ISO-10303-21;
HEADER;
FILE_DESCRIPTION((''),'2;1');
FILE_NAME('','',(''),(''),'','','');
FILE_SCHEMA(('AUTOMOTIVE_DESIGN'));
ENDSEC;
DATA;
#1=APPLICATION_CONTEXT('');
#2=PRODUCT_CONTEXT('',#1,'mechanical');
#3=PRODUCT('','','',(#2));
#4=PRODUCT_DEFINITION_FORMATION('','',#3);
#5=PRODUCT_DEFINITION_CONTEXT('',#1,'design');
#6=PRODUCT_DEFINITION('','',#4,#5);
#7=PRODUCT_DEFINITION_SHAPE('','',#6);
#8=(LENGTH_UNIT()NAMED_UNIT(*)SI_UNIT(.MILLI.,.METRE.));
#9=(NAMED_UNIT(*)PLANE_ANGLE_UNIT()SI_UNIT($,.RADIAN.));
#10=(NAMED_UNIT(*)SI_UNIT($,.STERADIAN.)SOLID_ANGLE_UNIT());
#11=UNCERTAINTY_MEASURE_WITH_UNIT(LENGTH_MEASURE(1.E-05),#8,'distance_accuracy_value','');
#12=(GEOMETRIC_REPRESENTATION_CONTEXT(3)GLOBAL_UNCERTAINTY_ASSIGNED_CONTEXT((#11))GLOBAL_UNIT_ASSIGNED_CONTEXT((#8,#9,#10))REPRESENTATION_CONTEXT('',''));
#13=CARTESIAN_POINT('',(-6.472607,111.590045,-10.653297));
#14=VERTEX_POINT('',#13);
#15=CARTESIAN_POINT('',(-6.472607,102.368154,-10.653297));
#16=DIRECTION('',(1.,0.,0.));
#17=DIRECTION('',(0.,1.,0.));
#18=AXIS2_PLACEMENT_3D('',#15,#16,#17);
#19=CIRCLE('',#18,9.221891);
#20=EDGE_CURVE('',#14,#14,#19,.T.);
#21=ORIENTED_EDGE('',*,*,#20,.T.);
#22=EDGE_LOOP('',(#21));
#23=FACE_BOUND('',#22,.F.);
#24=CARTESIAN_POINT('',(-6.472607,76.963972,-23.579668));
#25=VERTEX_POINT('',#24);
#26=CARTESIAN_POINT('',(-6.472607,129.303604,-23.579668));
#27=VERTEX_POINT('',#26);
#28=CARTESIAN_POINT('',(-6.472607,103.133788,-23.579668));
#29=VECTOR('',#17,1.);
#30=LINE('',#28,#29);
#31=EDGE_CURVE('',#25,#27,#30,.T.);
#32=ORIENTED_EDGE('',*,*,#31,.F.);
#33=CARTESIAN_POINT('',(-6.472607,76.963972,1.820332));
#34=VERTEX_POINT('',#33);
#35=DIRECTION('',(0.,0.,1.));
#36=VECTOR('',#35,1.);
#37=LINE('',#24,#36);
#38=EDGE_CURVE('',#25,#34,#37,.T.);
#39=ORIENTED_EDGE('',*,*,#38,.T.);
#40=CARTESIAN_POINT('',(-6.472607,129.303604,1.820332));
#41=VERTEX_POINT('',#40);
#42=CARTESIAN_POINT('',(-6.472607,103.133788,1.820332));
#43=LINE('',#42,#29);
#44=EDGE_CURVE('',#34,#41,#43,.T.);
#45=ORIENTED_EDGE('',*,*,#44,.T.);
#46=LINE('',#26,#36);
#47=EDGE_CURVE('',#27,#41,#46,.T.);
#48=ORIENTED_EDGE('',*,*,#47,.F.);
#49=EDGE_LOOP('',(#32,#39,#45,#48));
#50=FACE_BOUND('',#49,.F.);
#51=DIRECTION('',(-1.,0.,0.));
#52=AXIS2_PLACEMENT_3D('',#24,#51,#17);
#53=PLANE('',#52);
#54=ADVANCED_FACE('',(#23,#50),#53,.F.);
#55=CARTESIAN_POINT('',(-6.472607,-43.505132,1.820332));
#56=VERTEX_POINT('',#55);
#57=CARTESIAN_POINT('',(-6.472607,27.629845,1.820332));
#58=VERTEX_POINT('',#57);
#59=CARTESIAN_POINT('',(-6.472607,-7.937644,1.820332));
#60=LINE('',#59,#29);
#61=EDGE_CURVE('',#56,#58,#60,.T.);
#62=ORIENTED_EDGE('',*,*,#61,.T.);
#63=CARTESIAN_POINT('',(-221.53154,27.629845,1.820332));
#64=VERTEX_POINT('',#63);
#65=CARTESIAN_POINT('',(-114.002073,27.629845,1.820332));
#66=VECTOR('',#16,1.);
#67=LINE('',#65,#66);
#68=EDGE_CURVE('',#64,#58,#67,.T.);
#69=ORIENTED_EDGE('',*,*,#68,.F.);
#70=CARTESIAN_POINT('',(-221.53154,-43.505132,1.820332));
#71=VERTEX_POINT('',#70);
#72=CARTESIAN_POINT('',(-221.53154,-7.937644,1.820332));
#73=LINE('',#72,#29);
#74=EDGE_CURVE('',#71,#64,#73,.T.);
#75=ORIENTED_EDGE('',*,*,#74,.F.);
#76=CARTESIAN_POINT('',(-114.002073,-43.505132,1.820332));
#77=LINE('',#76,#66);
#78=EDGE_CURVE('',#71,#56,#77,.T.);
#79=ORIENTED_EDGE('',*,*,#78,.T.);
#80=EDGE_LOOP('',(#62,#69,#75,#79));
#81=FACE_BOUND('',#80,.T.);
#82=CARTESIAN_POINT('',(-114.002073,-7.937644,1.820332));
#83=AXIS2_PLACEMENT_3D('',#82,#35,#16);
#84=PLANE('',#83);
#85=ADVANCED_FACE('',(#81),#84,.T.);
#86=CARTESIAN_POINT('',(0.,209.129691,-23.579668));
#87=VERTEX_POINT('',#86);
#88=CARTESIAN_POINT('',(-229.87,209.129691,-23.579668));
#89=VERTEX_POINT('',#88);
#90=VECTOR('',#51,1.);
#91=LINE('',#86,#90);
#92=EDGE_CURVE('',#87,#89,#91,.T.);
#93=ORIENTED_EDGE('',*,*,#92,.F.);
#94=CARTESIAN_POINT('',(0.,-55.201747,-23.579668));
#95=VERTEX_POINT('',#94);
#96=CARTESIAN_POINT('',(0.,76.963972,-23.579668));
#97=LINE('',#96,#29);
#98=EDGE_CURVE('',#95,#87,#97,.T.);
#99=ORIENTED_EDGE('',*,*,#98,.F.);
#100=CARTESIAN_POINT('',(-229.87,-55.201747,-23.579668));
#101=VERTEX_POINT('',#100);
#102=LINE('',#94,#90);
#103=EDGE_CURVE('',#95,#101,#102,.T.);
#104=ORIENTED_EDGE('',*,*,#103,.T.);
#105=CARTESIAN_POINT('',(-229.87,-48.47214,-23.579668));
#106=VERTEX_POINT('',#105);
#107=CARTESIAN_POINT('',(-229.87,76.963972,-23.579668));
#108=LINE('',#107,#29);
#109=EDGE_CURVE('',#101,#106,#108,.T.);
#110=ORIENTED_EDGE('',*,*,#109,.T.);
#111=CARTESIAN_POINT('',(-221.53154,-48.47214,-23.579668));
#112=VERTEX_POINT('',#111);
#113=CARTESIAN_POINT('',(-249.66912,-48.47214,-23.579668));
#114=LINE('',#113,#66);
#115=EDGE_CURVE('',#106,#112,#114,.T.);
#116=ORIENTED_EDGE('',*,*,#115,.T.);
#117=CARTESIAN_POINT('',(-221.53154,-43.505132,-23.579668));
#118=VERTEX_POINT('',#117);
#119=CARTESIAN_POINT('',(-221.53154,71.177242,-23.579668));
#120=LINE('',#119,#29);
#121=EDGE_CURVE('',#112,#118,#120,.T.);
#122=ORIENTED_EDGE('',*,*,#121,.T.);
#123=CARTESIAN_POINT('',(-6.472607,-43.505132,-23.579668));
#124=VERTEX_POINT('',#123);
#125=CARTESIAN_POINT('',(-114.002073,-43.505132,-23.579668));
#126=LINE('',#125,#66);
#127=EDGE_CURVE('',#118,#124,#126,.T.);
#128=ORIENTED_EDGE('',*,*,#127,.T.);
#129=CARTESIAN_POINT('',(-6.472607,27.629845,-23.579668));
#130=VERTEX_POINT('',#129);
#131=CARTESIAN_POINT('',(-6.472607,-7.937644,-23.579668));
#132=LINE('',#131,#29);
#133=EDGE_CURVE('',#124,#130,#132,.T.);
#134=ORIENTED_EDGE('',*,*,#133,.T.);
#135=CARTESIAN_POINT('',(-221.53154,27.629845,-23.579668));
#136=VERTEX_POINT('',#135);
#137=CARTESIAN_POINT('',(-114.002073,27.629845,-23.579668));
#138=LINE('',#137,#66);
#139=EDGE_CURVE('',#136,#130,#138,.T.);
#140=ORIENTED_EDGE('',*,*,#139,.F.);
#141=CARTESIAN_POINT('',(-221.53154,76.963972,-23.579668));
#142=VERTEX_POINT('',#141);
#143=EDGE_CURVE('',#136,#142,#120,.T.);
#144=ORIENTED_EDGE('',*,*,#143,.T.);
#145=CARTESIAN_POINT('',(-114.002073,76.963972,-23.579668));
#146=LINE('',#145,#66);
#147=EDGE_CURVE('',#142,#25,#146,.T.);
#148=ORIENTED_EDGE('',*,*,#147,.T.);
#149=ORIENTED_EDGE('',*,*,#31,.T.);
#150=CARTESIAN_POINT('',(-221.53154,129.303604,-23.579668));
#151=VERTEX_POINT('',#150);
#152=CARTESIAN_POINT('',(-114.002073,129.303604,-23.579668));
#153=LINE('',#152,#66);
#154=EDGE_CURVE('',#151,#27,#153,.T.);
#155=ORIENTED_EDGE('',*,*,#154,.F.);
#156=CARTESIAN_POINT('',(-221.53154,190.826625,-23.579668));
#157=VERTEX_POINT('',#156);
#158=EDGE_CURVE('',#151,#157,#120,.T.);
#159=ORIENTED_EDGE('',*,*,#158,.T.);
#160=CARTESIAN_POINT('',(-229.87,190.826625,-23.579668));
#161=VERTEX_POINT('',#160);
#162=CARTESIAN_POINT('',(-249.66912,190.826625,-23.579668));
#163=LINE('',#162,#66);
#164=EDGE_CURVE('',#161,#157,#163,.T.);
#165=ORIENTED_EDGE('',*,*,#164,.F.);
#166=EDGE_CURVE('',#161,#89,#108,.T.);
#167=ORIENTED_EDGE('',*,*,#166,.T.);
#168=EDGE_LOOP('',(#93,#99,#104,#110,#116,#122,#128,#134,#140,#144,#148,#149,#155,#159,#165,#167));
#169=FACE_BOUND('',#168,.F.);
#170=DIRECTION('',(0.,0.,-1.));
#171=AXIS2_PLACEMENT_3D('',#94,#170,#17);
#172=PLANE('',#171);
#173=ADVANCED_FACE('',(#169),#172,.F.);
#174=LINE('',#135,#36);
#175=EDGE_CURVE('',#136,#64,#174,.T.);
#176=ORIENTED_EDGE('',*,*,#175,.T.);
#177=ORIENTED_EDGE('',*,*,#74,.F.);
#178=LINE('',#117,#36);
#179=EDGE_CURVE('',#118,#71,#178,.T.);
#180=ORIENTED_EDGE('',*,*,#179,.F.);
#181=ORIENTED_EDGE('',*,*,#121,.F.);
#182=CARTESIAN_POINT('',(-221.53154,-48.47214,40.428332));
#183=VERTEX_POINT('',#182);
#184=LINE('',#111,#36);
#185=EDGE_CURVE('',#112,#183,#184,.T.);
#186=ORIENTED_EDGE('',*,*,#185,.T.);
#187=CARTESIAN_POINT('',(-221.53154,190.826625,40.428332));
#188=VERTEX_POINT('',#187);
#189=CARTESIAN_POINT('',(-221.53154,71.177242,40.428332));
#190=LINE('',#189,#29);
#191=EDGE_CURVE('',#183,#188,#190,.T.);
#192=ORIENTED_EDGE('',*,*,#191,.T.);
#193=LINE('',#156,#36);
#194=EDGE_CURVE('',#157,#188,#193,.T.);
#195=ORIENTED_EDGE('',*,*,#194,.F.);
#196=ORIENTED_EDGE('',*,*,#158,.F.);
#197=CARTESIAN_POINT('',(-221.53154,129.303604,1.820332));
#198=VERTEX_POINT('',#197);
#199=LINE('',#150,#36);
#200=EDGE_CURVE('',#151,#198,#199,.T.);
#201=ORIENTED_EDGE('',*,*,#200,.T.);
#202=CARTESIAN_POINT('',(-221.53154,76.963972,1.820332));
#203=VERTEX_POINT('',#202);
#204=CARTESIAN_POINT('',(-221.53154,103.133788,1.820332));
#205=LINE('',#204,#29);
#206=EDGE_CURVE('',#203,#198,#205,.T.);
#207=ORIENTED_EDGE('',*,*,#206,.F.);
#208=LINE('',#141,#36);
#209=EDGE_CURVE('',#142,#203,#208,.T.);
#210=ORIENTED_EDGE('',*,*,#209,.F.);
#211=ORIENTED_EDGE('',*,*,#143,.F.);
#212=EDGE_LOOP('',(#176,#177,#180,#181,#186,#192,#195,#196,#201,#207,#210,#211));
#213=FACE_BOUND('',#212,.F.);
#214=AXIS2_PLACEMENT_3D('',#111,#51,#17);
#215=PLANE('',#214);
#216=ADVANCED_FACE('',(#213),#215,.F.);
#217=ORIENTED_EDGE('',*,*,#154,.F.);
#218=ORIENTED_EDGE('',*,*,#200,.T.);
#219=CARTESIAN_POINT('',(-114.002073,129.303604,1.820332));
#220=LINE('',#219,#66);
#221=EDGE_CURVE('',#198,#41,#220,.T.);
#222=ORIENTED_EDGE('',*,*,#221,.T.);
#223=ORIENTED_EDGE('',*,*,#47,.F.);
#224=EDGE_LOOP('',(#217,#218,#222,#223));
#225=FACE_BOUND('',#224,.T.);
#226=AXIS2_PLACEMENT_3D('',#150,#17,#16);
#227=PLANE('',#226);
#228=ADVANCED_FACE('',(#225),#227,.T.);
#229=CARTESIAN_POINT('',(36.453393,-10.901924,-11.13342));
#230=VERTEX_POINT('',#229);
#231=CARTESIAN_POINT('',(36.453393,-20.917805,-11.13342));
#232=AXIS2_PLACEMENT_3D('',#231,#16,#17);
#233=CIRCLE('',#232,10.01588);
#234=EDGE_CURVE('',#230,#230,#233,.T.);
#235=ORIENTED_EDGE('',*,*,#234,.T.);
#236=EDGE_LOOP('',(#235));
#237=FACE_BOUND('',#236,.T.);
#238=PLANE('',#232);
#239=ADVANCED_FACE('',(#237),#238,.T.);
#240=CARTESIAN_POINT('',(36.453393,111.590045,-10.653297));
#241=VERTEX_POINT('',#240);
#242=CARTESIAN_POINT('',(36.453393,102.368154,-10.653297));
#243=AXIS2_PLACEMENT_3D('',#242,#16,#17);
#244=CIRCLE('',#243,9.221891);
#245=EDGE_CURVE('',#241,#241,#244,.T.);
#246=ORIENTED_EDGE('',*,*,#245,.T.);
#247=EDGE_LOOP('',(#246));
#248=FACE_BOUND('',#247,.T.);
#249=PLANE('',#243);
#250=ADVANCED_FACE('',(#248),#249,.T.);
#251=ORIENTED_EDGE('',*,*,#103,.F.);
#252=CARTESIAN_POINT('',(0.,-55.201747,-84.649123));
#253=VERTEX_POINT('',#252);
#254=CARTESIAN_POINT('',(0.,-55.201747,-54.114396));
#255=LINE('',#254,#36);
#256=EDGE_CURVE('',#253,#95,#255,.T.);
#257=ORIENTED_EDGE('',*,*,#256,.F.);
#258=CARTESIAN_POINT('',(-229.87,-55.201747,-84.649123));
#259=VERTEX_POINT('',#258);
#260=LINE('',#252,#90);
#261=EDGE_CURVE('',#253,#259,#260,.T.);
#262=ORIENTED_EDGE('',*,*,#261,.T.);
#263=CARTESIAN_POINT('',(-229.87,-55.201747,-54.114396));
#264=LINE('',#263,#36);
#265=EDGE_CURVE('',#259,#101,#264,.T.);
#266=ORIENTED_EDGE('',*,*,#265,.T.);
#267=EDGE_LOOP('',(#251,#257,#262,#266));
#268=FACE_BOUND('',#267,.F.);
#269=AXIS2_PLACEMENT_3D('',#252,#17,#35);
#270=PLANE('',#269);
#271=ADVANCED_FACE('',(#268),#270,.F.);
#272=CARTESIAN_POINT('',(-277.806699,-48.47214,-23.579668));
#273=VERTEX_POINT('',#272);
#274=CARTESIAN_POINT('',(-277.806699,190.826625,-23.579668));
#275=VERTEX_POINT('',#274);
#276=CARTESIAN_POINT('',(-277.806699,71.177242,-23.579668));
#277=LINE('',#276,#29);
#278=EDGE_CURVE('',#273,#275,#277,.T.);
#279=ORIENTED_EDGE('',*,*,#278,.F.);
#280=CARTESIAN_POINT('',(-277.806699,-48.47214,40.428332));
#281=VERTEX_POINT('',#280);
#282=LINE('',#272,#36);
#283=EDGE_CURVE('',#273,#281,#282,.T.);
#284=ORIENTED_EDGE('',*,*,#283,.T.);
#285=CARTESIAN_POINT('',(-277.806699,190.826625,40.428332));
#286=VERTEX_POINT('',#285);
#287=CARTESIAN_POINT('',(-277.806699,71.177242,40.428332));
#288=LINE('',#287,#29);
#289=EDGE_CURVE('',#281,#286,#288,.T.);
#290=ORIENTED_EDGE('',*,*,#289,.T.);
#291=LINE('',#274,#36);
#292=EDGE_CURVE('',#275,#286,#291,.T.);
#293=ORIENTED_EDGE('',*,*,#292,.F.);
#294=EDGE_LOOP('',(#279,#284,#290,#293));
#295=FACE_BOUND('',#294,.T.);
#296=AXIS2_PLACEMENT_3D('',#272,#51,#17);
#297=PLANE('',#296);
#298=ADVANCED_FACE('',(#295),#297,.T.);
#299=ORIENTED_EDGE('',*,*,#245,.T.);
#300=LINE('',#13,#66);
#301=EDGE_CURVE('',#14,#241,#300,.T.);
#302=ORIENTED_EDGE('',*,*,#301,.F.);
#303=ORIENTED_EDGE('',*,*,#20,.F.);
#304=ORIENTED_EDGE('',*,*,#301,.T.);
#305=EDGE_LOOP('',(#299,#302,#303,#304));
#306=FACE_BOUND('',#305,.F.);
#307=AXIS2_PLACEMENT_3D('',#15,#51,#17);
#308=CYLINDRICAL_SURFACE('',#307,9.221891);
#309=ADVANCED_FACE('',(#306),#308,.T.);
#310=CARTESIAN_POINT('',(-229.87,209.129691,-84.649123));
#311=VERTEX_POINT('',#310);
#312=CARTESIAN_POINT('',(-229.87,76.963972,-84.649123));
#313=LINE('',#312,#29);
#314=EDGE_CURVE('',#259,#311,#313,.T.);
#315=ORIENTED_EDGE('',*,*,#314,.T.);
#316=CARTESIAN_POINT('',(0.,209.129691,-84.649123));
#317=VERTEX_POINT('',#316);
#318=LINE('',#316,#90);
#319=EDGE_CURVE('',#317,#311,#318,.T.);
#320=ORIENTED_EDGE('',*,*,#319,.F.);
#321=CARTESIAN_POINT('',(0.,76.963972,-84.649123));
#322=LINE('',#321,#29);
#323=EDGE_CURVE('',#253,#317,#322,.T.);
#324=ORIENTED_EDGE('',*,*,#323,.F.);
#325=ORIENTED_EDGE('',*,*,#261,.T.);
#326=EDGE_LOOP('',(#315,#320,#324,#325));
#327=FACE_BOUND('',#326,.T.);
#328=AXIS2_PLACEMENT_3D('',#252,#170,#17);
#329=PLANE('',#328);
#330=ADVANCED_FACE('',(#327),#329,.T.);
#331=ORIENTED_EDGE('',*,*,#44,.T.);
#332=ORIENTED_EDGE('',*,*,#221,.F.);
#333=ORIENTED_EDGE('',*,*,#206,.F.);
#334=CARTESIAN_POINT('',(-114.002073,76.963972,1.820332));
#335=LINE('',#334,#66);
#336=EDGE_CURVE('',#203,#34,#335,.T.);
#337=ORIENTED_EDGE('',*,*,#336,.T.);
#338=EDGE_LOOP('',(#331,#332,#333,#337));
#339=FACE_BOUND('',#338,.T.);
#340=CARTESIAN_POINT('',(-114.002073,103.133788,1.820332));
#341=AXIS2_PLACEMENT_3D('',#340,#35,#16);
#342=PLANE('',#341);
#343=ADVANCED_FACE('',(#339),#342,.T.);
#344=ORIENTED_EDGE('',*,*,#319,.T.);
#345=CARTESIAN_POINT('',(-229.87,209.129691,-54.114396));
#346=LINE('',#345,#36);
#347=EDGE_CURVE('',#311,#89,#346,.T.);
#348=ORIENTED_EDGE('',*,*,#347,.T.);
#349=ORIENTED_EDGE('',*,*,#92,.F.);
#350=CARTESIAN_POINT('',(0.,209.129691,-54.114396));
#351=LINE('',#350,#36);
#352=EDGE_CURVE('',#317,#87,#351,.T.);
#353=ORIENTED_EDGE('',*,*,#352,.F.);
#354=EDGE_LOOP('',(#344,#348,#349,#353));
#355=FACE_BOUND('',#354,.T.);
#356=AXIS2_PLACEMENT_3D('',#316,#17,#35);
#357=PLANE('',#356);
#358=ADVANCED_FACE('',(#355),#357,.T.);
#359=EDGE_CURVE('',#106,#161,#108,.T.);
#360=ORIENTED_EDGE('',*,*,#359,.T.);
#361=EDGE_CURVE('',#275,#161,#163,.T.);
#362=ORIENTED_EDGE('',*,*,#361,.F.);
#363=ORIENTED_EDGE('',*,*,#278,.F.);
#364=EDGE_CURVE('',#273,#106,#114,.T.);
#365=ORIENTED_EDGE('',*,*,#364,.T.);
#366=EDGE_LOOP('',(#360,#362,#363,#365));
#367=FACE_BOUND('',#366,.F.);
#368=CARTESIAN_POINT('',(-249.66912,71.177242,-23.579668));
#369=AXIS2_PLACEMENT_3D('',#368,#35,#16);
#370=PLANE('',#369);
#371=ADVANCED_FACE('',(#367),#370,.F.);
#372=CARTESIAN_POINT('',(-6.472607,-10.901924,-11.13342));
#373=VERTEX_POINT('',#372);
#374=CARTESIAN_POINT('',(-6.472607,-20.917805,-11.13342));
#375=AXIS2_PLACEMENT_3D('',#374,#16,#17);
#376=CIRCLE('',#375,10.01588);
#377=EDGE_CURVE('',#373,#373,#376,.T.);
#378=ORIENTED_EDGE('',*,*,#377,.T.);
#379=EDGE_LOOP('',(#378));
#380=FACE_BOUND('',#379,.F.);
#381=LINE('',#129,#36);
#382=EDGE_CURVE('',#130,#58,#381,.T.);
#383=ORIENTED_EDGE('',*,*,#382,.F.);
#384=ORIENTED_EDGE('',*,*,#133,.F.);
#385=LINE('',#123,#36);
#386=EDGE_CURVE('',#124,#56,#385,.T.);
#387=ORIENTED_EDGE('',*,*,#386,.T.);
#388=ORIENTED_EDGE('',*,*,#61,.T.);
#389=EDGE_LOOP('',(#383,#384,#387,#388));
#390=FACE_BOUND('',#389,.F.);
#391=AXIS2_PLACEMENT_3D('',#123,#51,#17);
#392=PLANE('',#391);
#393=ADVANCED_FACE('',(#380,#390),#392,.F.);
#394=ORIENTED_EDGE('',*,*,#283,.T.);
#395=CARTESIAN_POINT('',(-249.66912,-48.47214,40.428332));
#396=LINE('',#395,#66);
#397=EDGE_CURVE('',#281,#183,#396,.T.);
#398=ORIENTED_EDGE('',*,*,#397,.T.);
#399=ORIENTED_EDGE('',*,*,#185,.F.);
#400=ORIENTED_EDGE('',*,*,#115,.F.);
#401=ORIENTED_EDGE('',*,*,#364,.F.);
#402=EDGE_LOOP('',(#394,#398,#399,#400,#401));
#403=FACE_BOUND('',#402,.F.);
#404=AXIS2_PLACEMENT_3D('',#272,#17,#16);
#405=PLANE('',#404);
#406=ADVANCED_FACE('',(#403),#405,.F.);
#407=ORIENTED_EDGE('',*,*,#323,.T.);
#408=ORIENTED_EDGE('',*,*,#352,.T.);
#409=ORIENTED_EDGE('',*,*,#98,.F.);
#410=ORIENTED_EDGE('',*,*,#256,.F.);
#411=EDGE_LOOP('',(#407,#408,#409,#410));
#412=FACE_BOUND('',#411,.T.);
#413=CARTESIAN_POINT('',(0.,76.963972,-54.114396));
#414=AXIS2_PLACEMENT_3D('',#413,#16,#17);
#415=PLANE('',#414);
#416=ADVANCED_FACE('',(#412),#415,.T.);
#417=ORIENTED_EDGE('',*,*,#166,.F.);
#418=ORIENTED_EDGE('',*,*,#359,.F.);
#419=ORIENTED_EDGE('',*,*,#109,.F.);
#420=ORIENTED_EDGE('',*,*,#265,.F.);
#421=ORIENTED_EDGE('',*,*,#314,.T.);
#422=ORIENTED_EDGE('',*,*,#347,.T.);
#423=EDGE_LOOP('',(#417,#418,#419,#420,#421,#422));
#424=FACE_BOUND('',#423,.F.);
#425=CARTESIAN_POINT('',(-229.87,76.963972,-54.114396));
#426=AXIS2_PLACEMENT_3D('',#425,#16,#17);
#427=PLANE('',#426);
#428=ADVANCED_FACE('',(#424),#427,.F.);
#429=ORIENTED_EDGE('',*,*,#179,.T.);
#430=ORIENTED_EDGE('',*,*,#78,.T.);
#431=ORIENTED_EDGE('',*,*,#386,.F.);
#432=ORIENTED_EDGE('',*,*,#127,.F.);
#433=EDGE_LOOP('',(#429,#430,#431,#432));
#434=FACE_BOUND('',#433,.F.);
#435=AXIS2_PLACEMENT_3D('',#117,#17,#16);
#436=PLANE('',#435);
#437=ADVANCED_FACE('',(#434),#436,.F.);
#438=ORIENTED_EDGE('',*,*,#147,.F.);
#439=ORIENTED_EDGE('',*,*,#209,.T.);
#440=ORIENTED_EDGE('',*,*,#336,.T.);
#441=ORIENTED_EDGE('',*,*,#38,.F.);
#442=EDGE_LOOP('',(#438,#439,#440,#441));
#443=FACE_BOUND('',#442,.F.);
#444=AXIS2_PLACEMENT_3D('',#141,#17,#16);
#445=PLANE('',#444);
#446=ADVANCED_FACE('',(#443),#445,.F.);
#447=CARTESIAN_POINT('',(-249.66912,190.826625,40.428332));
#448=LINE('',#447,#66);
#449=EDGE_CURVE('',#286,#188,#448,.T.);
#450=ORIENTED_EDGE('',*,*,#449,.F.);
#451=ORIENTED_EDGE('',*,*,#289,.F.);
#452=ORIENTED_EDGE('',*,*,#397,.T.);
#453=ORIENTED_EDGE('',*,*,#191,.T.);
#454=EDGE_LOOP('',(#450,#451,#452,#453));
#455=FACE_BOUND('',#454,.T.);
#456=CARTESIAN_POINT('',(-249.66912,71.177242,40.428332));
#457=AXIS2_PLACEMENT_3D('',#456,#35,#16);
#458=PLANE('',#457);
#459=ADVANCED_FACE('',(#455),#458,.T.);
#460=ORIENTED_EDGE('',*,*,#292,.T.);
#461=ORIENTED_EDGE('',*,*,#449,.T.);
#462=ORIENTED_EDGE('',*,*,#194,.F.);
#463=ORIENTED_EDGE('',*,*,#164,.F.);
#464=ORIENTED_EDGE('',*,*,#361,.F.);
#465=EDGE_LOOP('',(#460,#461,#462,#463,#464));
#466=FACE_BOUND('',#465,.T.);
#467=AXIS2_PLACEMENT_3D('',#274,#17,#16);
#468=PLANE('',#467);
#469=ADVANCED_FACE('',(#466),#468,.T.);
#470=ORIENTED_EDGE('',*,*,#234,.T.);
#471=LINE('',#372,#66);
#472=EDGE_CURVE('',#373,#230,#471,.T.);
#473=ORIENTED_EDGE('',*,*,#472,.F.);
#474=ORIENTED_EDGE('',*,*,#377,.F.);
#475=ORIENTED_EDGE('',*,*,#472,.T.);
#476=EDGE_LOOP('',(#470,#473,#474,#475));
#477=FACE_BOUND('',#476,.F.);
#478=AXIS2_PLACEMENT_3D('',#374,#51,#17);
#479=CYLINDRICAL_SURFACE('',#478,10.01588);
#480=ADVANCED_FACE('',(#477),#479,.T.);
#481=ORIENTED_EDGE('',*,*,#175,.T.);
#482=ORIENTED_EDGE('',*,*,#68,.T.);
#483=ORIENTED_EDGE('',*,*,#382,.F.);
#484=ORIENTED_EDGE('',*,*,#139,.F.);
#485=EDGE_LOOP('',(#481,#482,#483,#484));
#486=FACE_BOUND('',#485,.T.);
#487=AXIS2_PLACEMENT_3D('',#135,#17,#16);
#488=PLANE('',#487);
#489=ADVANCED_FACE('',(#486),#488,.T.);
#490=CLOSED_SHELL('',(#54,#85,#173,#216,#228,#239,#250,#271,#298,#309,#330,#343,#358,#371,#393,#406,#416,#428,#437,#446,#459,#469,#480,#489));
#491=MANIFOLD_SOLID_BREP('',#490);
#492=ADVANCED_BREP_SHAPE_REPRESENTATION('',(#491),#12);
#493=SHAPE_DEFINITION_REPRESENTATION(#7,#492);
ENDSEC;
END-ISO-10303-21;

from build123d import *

# Parameters (mm, degrees)
F0_W     = 264.3314376473
F0_H     = 61.0694549978
F1_DEPTH = 229.87
F2_W     = 56.2751591206
F2_H     = 239.2987646163
F3_DEPTH = 64.008
F4_W     = 215.0589334778
F4_H     = 71.1349770427
F4_H_2   = 52.3396320641
F5_DEPTH = 25.4
F6_R     = 10.0158804511
F6_R_2   = 9.2218909308
F7_DEPTH = 42.926


with BuildPart() as f1:
    # F0 (on Right) → F1 (new body)
    with BuildSketch(Plane.YZ):
        with Locations((76.9639723003, -54.1143957525)):
            Rectangle(F0_W, F0_H)
    extrude(amount=-F1_DEPTH)

    # F2 (on face) → F3 (join)
    with BuildSketch(Plane.XY.offset(-23.5796682537)):
        with Locations((-249.6691197157, 71.1772423238)):
            Rectangle(F2_W, F2_H)
    extrude(amount=F3_DEPTH)

    # F4 (on face) → F5 (join)
    with BuildSketch(Plane.XY.offset(-23.5796682537)):
        with Locations((-114.0020734165, -7.937643677)):
            Rectangle(F4_W, F4_H)
        with Locations((-114.0020734165, 103.1337883323)):
            Rectangle(F4_W, F4_H_2)
    extrude(amount=F5_DEPTH)

    # F6 (on face) → F7 (join)
    with BuildSketch(Plane.YZ.offset(-6.4726066776)):
        with Locations((-20.9178049117, -11.1334202811)):
            Circle(F6_R)
        with Locations((102.3681536317, -10.6532974169)):
            Circle(F6_R_2)
    extrude(amount=F7_DEPTH)


solid = f1.part
